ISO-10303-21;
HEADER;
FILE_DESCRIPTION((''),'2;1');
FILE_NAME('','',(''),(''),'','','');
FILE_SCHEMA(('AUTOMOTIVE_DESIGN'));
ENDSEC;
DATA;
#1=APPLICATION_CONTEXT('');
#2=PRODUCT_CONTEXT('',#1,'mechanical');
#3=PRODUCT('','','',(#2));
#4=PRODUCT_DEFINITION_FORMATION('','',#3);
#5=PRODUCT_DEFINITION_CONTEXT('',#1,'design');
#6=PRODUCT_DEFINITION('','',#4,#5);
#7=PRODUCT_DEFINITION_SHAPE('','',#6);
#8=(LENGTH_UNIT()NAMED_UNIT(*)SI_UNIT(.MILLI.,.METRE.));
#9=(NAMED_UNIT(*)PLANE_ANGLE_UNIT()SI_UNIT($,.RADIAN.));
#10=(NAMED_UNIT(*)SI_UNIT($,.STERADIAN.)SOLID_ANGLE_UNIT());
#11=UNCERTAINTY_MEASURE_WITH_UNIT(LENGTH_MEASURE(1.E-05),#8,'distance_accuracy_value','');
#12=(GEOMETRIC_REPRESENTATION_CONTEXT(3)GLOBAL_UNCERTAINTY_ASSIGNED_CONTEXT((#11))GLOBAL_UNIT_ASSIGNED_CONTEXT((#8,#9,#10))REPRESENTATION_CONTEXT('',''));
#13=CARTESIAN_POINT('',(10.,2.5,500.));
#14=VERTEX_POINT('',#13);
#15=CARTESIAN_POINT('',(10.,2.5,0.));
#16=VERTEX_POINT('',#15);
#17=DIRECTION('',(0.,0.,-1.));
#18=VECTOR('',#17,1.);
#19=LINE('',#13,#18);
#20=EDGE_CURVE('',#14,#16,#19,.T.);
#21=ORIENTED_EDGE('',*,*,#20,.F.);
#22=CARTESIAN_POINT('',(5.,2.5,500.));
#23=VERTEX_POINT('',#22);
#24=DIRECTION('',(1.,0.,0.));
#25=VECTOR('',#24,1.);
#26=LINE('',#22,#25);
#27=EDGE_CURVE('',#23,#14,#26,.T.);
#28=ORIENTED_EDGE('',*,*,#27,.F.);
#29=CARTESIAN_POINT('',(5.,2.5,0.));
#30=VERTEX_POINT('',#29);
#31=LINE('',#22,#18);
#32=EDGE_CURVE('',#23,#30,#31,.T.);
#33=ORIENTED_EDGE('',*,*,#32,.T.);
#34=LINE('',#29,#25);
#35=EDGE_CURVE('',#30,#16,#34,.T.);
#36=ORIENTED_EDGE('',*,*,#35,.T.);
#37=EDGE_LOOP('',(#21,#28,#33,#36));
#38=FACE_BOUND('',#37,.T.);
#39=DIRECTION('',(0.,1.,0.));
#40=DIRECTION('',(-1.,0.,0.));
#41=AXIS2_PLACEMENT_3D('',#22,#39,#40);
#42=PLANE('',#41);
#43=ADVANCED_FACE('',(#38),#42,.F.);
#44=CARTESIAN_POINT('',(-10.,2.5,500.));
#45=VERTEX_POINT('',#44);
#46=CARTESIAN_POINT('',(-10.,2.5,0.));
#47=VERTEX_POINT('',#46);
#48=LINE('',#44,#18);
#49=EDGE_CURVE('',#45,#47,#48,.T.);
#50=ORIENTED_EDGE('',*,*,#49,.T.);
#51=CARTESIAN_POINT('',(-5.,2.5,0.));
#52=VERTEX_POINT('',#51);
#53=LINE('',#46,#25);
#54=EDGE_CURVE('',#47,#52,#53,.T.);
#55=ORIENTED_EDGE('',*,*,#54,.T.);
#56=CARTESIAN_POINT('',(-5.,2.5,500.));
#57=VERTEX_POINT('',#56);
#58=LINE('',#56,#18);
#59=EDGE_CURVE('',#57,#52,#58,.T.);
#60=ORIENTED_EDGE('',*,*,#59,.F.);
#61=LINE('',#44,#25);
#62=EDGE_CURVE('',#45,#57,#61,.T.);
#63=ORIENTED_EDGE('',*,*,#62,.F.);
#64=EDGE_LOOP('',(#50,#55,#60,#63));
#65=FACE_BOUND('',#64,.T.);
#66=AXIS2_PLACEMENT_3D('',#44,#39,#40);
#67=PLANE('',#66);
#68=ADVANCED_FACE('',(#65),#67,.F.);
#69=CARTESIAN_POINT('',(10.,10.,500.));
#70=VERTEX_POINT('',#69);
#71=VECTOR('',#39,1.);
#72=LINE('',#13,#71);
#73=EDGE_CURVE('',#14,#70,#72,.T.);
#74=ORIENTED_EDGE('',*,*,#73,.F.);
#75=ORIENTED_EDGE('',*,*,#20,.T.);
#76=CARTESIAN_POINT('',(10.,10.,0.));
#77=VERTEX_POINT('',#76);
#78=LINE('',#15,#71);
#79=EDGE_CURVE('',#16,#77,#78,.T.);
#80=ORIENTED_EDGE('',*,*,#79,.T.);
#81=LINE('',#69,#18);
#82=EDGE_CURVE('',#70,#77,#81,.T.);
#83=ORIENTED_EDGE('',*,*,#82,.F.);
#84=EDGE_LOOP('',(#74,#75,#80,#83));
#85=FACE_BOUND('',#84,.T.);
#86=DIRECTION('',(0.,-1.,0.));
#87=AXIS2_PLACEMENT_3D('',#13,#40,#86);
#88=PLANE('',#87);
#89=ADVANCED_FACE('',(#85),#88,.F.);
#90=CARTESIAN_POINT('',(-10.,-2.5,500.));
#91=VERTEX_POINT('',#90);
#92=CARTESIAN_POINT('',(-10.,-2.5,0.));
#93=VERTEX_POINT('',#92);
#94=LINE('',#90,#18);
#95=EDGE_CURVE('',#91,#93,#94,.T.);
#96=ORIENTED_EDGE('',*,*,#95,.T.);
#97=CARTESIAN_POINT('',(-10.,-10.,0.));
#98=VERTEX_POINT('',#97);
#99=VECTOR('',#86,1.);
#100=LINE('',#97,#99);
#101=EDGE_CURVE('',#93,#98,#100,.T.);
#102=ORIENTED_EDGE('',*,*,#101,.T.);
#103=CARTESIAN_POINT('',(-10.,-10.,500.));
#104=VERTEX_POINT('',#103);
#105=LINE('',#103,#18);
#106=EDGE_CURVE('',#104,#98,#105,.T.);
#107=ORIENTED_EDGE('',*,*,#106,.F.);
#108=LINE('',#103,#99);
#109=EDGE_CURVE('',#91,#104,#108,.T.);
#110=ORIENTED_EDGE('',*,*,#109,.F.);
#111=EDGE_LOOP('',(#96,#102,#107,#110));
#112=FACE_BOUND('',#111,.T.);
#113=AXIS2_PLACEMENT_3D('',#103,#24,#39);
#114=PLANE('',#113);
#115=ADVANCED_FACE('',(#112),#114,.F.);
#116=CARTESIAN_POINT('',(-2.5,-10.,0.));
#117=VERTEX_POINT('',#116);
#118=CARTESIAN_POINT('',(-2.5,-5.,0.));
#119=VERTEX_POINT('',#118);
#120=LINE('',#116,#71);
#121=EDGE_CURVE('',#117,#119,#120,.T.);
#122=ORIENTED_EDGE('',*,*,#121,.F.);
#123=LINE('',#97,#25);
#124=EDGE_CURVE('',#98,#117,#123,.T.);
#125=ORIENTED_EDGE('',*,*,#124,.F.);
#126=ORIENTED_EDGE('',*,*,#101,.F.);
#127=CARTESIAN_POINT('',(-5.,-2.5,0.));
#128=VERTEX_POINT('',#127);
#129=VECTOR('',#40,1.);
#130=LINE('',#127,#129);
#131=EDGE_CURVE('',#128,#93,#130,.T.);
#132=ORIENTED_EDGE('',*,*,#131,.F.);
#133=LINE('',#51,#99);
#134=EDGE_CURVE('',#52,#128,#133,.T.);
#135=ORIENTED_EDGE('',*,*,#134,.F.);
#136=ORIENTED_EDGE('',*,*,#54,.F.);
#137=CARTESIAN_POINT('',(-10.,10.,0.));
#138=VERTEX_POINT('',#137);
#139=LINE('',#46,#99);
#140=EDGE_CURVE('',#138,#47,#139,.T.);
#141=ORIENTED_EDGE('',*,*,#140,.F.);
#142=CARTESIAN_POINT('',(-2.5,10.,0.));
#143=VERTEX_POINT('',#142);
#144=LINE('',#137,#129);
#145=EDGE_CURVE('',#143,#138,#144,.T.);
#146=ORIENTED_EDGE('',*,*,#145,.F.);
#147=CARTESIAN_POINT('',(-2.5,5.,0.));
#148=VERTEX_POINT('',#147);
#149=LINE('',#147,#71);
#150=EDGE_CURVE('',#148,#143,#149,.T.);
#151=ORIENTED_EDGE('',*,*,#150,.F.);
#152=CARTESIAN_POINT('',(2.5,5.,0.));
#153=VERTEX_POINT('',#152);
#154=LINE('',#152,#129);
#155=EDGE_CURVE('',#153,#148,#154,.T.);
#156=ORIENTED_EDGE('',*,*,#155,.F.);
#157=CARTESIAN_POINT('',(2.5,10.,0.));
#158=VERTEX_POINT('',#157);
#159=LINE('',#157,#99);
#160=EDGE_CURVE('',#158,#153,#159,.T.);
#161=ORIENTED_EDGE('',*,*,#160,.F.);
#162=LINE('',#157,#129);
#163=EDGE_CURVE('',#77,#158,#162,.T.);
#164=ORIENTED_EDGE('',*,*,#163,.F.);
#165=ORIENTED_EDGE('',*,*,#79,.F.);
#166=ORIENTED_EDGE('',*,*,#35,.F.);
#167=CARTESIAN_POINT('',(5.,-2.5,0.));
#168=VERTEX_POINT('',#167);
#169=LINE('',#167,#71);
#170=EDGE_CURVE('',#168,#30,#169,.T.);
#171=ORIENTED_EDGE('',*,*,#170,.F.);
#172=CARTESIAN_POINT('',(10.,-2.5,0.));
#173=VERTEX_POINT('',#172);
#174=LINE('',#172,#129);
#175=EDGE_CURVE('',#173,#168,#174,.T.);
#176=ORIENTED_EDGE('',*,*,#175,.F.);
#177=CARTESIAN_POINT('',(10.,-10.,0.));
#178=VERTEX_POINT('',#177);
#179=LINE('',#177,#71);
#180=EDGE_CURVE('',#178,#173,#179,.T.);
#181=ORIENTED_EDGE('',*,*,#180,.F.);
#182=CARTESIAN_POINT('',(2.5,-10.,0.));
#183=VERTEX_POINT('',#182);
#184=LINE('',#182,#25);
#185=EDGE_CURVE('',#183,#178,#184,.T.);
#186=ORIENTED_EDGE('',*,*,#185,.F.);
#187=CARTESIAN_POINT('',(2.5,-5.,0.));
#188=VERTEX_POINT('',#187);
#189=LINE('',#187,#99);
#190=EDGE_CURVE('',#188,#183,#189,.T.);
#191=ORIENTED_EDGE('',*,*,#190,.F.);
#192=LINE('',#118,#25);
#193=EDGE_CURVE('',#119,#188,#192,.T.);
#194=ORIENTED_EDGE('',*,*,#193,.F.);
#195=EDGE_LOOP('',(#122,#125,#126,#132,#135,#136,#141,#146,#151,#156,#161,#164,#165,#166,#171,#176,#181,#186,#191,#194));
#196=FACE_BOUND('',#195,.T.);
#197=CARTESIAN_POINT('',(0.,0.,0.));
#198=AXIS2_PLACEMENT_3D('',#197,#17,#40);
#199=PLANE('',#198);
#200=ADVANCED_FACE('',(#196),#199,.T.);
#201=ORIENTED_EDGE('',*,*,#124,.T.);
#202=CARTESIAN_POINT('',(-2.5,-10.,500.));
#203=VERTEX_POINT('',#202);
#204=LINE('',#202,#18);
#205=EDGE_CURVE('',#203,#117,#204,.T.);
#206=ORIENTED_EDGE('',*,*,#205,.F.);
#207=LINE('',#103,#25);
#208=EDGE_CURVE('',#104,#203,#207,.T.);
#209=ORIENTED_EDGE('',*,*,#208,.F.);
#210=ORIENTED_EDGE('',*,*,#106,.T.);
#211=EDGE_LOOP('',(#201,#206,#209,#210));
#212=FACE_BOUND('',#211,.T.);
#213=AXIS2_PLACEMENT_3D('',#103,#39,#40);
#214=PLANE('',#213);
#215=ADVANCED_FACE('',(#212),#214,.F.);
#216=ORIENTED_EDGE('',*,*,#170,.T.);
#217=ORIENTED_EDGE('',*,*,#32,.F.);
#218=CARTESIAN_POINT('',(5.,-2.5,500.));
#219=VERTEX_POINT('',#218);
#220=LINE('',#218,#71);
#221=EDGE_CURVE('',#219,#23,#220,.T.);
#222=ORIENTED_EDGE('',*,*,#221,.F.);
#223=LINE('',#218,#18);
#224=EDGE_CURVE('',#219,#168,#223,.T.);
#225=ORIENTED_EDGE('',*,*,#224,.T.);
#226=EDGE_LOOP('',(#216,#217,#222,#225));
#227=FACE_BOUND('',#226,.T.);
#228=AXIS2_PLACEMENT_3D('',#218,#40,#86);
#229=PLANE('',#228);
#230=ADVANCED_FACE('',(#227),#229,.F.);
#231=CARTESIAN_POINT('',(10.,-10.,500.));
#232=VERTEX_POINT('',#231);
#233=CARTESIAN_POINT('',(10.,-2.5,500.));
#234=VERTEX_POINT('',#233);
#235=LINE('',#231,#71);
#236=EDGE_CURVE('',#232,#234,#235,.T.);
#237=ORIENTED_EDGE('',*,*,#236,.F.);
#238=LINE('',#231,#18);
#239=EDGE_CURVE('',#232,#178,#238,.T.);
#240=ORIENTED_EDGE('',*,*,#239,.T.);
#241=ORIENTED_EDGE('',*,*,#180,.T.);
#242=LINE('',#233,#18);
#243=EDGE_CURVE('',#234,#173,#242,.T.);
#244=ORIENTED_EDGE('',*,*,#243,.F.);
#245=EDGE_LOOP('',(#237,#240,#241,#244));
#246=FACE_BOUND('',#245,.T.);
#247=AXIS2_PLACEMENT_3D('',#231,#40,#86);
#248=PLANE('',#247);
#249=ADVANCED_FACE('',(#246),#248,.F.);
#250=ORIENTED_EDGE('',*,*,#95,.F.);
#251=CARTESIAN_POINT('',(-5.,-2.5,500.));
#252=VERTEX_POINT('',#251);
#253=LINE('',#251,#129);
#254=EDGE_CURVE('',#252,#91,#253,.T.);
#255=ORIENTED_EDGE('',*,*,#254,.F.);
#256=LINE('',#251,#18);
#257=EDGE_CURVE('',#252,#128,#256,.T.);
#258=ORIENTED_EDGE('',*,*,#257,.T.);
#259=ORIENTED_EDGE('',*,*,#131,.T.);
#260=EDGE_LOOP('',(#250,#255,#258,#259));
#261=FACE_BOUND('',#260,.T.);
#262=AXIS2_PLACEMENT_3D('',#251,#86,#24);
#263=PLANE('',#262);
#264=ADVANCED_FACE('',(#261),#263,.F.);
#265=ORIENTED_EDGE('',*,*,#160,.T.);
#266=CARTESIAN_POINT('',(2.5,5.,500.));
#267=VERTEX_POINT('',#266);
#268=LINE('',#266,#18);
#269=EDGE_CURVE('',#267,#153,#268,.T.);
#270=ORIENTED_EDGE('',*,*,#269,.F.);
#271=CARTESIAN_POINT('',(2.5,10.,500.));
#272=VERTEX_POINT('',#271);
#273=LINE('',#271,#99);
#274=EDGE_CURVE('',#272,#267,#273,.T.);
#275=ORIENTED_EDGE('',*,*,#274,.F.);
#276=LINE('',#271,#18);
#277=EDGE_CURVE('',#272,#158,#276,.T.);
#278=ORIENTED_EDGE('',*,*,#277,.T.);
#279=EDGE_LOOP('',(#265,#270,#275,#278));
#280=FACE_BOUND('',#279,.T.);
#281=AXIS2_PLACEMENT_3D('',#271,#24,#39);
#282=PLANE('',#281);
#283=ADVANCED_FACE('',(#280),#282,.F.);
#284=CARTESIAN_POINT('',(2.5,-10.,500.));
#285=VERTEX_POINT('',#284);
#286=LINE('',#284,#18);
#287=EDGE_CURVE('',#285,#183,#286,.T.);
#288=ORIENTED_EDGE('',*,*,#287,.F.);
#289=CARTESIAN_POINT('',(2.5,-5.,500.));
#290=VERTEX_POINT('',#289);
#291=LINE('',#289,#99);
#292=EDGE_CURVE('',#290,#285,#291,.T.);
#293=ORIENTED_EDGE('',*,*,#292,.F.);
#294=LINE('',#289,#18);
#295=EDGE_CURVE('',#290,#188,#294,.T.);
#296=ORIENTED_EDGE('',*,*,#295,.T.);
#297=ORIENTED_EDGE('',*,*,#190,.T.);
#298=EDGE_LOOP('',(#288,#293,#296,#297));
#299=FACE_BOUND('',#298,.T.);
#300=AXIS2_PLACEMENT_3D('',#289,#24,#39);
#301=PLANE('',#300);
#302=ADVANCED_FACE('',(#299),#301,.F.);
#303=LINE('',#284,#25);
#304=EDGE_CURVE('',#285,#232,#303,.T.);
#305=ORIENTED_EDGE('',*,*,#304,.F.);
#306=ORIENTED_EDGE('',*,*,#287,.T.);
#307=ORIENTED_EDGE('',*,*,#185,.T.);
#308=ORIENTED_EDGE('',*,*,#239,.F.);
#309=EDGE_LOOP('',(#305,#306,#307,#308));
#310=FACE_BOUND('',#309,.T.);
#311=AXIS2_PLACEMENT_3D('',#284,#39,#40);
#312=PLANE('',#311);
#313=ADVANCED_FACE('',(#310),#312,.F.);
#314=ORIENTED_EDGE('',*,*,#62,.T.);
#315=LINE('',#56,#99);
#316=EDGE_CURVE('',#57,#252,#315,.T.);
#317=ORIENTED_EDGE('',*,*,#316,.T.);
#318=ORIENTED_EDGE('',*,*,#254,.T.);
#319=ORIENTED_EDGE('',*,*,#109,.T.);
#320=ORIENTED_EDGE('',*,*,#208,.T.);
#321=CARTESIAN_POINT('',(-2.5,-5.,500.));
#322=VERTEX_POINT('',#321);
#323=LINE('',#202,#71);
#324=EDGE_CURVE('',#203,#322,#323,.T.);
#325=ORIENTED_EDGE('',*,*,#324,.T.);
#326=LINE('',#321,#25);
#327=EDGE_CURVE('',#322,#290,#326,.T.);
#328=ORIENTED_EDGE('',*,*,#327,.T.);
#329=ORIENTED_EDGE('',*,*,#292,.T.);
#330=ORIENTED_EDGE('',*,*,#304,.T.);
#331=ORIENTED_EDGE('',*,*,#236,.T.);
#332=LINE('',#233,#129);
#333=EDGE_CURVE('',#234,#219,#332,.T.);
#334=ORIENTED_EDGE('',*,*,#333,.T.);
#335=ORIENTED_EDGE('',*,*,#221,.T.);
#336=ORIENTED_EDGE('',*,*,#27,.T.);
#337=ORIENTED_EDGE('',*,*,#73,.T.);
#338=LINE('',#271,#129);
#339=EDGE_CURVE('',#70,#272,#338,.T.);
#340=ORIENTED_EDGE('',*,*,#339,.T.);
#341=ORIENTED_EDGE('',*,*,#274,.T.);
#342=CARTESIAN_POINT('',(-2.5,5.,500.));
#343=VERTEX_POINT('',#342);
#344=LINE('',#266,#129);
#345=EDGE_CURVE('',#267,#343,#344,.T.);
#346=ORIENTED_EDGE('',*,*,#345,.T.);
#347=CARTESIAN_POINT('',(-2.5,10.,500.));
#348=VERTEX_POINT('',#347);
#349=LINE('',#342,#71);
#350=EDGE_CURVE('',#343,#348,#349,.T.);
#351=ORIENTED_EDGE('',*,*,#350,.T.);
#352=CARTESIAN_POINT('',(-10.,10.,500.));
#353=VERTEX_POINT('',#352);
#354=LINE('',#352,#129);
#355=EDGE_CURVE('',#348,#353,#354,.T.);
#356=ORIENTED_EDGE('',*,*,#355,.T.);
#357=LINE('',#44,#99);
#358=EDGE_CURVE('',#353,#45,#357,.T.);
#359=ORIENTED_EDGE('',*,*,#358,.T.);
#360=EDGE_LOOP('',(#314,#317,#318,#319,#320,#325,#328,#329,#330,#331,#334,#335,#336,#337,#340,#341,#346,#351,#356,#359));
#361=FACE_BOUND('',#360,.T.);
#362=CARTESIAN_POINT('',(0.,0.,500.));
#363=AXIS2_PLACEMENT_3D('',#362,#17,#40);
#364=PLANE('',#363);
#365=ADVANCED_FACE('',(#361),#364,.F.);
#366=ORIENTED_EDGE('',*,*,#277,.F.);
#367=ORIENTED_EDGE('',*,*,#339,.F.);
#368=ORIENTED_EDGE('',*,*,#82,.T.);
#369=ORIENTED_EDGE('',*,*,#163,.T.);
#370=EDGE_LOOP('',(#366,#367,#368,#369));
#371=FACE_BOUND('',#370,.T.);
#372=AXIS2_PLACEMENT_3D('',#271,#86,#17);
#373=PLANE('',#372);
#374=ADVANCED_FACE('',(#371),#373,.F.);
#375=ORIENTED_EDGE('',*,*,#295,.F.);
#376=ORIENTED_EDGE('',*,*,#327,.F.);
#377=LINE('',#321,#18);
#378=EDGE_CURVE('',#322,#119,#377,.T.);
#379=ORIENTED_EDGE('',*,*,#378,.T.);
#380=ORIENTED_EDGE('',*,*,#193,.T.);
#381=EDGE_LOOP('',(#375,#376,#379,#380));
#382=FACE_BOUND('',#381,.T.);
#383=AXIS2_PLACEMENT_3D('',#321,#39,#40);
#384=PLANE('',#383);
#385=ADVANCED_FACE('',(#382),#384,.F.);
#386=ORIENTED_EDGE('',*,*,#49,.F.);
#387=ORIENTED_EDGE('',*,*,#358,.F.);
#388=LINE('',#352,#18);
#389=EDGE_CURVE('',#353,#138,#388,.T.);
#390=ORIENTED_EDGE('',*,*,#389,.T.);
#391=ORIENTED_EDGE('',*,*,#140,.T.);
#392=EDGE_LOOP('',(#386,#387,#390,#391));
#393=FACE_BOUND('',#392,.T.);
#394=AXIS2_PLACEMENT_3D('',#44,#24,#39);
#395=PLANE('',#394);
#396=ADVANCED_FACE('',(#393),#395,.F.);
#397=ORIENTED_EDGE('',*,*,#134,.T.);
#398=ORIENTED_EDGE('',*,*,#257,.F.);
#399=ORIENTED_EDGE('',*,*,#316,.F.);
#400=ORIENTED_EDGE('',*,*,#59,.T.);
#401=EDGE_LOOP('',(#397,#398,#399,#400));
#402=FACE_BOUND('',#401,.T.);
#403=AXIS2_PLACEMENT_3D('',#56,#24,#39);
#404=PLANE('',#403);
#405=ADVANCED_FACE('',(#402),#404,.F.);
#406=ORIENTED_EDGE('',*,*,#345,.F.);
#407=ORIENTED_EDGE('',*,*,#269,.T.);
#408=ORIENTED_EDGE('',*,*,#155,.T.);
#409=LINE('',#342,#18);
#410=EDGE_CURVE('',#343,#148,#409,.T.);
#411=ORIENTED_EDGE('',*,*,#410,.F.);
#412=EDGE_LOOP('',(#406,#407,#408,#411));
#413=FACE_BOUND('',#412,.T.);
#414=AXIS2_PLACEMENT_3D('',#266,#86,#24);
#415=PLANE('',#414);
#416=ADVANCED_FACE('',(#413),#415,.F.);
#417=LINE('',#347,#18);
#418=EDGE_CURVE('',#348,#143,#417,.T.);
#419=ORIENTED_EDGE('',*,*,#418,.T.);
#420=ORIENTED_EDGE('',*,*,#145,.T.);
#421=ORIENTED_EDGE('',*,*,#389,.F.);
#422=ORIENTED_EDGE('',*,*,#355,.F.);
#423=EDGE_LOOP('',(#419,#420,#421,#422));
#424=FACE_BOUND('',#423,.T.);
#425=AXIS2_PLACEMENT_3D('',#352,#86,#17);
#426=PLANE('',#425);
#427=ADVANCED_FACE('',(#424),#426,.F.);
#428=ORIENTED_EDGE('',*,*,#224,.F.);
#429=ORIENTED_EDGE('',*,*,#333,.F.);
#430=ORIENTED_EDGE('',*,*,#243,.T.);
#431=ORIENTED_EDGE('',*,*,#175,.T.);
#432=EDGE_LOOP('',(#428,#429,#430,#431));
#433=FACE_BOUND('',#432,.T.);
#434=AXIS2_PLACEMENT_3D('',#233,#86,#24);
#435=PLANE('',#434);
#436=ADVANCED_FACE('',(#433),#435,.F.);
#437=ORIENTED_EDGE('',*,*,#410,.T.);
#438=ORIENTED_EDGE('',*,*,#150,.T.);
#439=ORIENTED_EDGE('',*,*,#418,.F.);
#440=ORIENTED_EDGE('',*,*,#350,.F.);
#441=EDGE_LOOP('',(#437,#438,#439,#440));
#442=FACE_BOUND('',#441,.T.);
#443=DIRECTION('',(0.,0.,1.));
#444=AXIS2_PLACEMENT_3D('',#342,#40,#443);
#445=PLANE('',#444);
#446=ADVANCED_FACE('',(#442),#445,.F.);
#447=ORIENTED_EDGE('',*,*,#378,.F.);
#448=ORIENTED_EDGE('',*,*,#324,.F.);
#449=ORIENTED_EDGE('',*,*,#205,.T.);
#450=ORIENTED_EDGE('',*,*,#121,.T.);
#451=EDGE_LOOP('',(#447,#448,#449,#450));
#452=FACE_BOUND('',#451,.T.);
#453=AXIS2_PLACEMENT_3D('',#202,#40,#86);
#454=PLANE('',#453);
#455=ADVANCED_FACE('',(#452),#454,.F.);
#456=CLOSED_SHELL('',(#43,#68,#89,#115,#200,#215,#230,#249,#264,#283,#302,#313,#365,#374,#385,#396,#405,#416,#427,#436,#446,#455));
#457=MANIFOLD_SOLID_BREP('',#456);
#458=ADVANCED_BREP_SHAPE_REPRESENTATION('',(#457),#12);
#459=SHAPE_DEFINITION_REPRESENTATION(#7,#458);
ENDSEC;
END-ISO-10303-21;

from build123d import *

# Parameters (mm, degrees)
EXTRUDE_1_DEPTH = 500


with BuildPart() as part:
    # 草图1 → 凸台-拉伸1 (new body)
    with BuildSketch(Plane.XY):
        Polygon((2.5, 10), (2.5, 5), (-2.5, 5), (-2.5, 10), (-10, 10), (-10, 2.5), (-5, 2.5), (-5, -2.5), (-10, -2.5), (-10, -10), (-2.5, -10), (-2.5, -5), (2.5, -5), (2.5, -10), (10, -10), (10, -2.5), (5, -2.5), (5, 2.5), (10, 2.5), (10, 10), align=None)
    extrude(amount=EXTRUDE_1_DEPTH)


solid = part.part
